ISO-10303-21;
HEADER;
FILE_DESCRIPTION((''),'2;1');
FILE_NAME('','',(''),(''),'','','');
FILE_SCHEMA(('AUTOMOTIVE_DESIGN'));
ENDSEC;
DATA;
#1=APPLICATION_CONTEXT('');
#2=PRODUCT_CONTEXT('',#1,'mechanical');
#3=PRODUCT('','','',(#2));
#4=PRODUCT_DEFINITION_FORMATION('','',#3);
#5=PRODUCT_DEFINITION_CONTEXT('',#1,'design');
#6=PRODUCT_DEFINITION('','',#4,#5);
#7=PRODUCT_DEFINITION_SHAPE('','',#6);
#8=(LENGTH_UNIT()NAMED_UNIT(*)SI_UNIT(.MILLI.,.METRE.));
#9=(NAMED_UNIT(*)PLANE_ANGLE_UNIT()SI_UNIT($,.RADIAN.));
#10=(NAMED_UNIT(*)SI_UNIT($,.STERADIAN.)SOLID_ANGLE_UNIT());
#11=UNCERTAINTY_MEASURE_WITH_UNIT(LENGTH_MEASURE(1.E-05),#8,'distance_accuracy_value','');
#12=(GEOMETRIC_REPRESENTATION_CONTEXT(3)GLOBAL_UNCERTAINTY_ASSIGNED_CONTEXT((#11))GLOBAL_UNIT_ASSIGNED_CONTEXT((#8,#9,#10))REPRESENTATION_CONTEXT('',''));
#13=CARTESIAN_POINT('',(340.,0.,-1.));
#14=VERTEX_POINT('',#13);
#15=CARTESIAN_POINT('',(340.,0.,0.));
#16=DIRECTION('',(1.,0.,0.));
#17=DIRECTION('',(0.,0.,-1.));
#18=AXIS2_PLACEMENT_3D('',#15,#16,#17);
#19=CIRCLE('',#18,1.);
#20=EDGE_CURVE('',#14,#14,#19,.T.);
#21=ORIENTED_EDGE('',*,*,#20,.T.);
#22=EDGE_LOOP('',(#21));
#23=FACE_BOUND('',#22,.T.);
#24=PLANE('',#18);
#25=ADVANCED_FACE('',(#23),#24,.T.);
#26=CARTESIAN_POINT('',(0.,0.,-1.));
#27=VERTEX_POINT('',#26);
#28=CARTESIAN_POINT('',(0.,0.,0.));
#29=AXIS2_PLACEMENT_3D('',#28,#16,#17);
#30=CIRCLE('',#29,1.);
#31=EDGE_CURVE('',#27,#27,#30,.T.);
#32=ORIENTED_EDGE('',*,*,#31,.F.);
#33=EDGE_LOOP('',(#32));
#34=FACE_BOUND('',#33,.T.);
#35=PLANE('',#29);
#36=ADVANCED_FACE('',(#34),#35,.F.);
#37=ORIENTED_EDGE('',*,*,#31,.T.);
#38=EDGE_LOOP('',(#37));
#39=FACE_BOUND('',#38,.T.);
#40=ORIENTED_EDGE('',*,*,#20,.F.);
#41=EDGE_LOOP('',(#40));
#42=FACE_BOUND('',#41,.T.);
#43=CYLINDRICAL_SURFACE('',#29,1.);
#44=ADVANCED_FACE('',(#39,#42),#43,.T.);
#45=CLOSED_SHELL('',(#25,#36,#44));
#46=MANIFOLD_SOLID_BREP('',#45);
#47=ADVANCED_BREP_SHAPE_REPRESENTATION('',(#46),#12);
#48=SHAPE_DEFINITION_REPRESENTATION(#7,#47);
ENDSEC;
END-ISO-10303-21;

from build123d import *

# Parameters (mm, degrees)
SKETCH_2_R = 1


with BuildPart() as part:
    # 扫描1: sweep along a path in 草图1
    with BuildLine(Plane.XY) as sweep_1_path:
        Line((0, 0), (340, 0))
    # 草图2 → 扫描1 (sweep)
    with BuildSketch(Plane(origin=(0, 0, 0), x_dir=(0, 0, -1), z_dir=(1, 0, 0))):
        Circle(SKETCH_2_R)
    sweep(path=sweep_1_path.line)


solid = part.part
